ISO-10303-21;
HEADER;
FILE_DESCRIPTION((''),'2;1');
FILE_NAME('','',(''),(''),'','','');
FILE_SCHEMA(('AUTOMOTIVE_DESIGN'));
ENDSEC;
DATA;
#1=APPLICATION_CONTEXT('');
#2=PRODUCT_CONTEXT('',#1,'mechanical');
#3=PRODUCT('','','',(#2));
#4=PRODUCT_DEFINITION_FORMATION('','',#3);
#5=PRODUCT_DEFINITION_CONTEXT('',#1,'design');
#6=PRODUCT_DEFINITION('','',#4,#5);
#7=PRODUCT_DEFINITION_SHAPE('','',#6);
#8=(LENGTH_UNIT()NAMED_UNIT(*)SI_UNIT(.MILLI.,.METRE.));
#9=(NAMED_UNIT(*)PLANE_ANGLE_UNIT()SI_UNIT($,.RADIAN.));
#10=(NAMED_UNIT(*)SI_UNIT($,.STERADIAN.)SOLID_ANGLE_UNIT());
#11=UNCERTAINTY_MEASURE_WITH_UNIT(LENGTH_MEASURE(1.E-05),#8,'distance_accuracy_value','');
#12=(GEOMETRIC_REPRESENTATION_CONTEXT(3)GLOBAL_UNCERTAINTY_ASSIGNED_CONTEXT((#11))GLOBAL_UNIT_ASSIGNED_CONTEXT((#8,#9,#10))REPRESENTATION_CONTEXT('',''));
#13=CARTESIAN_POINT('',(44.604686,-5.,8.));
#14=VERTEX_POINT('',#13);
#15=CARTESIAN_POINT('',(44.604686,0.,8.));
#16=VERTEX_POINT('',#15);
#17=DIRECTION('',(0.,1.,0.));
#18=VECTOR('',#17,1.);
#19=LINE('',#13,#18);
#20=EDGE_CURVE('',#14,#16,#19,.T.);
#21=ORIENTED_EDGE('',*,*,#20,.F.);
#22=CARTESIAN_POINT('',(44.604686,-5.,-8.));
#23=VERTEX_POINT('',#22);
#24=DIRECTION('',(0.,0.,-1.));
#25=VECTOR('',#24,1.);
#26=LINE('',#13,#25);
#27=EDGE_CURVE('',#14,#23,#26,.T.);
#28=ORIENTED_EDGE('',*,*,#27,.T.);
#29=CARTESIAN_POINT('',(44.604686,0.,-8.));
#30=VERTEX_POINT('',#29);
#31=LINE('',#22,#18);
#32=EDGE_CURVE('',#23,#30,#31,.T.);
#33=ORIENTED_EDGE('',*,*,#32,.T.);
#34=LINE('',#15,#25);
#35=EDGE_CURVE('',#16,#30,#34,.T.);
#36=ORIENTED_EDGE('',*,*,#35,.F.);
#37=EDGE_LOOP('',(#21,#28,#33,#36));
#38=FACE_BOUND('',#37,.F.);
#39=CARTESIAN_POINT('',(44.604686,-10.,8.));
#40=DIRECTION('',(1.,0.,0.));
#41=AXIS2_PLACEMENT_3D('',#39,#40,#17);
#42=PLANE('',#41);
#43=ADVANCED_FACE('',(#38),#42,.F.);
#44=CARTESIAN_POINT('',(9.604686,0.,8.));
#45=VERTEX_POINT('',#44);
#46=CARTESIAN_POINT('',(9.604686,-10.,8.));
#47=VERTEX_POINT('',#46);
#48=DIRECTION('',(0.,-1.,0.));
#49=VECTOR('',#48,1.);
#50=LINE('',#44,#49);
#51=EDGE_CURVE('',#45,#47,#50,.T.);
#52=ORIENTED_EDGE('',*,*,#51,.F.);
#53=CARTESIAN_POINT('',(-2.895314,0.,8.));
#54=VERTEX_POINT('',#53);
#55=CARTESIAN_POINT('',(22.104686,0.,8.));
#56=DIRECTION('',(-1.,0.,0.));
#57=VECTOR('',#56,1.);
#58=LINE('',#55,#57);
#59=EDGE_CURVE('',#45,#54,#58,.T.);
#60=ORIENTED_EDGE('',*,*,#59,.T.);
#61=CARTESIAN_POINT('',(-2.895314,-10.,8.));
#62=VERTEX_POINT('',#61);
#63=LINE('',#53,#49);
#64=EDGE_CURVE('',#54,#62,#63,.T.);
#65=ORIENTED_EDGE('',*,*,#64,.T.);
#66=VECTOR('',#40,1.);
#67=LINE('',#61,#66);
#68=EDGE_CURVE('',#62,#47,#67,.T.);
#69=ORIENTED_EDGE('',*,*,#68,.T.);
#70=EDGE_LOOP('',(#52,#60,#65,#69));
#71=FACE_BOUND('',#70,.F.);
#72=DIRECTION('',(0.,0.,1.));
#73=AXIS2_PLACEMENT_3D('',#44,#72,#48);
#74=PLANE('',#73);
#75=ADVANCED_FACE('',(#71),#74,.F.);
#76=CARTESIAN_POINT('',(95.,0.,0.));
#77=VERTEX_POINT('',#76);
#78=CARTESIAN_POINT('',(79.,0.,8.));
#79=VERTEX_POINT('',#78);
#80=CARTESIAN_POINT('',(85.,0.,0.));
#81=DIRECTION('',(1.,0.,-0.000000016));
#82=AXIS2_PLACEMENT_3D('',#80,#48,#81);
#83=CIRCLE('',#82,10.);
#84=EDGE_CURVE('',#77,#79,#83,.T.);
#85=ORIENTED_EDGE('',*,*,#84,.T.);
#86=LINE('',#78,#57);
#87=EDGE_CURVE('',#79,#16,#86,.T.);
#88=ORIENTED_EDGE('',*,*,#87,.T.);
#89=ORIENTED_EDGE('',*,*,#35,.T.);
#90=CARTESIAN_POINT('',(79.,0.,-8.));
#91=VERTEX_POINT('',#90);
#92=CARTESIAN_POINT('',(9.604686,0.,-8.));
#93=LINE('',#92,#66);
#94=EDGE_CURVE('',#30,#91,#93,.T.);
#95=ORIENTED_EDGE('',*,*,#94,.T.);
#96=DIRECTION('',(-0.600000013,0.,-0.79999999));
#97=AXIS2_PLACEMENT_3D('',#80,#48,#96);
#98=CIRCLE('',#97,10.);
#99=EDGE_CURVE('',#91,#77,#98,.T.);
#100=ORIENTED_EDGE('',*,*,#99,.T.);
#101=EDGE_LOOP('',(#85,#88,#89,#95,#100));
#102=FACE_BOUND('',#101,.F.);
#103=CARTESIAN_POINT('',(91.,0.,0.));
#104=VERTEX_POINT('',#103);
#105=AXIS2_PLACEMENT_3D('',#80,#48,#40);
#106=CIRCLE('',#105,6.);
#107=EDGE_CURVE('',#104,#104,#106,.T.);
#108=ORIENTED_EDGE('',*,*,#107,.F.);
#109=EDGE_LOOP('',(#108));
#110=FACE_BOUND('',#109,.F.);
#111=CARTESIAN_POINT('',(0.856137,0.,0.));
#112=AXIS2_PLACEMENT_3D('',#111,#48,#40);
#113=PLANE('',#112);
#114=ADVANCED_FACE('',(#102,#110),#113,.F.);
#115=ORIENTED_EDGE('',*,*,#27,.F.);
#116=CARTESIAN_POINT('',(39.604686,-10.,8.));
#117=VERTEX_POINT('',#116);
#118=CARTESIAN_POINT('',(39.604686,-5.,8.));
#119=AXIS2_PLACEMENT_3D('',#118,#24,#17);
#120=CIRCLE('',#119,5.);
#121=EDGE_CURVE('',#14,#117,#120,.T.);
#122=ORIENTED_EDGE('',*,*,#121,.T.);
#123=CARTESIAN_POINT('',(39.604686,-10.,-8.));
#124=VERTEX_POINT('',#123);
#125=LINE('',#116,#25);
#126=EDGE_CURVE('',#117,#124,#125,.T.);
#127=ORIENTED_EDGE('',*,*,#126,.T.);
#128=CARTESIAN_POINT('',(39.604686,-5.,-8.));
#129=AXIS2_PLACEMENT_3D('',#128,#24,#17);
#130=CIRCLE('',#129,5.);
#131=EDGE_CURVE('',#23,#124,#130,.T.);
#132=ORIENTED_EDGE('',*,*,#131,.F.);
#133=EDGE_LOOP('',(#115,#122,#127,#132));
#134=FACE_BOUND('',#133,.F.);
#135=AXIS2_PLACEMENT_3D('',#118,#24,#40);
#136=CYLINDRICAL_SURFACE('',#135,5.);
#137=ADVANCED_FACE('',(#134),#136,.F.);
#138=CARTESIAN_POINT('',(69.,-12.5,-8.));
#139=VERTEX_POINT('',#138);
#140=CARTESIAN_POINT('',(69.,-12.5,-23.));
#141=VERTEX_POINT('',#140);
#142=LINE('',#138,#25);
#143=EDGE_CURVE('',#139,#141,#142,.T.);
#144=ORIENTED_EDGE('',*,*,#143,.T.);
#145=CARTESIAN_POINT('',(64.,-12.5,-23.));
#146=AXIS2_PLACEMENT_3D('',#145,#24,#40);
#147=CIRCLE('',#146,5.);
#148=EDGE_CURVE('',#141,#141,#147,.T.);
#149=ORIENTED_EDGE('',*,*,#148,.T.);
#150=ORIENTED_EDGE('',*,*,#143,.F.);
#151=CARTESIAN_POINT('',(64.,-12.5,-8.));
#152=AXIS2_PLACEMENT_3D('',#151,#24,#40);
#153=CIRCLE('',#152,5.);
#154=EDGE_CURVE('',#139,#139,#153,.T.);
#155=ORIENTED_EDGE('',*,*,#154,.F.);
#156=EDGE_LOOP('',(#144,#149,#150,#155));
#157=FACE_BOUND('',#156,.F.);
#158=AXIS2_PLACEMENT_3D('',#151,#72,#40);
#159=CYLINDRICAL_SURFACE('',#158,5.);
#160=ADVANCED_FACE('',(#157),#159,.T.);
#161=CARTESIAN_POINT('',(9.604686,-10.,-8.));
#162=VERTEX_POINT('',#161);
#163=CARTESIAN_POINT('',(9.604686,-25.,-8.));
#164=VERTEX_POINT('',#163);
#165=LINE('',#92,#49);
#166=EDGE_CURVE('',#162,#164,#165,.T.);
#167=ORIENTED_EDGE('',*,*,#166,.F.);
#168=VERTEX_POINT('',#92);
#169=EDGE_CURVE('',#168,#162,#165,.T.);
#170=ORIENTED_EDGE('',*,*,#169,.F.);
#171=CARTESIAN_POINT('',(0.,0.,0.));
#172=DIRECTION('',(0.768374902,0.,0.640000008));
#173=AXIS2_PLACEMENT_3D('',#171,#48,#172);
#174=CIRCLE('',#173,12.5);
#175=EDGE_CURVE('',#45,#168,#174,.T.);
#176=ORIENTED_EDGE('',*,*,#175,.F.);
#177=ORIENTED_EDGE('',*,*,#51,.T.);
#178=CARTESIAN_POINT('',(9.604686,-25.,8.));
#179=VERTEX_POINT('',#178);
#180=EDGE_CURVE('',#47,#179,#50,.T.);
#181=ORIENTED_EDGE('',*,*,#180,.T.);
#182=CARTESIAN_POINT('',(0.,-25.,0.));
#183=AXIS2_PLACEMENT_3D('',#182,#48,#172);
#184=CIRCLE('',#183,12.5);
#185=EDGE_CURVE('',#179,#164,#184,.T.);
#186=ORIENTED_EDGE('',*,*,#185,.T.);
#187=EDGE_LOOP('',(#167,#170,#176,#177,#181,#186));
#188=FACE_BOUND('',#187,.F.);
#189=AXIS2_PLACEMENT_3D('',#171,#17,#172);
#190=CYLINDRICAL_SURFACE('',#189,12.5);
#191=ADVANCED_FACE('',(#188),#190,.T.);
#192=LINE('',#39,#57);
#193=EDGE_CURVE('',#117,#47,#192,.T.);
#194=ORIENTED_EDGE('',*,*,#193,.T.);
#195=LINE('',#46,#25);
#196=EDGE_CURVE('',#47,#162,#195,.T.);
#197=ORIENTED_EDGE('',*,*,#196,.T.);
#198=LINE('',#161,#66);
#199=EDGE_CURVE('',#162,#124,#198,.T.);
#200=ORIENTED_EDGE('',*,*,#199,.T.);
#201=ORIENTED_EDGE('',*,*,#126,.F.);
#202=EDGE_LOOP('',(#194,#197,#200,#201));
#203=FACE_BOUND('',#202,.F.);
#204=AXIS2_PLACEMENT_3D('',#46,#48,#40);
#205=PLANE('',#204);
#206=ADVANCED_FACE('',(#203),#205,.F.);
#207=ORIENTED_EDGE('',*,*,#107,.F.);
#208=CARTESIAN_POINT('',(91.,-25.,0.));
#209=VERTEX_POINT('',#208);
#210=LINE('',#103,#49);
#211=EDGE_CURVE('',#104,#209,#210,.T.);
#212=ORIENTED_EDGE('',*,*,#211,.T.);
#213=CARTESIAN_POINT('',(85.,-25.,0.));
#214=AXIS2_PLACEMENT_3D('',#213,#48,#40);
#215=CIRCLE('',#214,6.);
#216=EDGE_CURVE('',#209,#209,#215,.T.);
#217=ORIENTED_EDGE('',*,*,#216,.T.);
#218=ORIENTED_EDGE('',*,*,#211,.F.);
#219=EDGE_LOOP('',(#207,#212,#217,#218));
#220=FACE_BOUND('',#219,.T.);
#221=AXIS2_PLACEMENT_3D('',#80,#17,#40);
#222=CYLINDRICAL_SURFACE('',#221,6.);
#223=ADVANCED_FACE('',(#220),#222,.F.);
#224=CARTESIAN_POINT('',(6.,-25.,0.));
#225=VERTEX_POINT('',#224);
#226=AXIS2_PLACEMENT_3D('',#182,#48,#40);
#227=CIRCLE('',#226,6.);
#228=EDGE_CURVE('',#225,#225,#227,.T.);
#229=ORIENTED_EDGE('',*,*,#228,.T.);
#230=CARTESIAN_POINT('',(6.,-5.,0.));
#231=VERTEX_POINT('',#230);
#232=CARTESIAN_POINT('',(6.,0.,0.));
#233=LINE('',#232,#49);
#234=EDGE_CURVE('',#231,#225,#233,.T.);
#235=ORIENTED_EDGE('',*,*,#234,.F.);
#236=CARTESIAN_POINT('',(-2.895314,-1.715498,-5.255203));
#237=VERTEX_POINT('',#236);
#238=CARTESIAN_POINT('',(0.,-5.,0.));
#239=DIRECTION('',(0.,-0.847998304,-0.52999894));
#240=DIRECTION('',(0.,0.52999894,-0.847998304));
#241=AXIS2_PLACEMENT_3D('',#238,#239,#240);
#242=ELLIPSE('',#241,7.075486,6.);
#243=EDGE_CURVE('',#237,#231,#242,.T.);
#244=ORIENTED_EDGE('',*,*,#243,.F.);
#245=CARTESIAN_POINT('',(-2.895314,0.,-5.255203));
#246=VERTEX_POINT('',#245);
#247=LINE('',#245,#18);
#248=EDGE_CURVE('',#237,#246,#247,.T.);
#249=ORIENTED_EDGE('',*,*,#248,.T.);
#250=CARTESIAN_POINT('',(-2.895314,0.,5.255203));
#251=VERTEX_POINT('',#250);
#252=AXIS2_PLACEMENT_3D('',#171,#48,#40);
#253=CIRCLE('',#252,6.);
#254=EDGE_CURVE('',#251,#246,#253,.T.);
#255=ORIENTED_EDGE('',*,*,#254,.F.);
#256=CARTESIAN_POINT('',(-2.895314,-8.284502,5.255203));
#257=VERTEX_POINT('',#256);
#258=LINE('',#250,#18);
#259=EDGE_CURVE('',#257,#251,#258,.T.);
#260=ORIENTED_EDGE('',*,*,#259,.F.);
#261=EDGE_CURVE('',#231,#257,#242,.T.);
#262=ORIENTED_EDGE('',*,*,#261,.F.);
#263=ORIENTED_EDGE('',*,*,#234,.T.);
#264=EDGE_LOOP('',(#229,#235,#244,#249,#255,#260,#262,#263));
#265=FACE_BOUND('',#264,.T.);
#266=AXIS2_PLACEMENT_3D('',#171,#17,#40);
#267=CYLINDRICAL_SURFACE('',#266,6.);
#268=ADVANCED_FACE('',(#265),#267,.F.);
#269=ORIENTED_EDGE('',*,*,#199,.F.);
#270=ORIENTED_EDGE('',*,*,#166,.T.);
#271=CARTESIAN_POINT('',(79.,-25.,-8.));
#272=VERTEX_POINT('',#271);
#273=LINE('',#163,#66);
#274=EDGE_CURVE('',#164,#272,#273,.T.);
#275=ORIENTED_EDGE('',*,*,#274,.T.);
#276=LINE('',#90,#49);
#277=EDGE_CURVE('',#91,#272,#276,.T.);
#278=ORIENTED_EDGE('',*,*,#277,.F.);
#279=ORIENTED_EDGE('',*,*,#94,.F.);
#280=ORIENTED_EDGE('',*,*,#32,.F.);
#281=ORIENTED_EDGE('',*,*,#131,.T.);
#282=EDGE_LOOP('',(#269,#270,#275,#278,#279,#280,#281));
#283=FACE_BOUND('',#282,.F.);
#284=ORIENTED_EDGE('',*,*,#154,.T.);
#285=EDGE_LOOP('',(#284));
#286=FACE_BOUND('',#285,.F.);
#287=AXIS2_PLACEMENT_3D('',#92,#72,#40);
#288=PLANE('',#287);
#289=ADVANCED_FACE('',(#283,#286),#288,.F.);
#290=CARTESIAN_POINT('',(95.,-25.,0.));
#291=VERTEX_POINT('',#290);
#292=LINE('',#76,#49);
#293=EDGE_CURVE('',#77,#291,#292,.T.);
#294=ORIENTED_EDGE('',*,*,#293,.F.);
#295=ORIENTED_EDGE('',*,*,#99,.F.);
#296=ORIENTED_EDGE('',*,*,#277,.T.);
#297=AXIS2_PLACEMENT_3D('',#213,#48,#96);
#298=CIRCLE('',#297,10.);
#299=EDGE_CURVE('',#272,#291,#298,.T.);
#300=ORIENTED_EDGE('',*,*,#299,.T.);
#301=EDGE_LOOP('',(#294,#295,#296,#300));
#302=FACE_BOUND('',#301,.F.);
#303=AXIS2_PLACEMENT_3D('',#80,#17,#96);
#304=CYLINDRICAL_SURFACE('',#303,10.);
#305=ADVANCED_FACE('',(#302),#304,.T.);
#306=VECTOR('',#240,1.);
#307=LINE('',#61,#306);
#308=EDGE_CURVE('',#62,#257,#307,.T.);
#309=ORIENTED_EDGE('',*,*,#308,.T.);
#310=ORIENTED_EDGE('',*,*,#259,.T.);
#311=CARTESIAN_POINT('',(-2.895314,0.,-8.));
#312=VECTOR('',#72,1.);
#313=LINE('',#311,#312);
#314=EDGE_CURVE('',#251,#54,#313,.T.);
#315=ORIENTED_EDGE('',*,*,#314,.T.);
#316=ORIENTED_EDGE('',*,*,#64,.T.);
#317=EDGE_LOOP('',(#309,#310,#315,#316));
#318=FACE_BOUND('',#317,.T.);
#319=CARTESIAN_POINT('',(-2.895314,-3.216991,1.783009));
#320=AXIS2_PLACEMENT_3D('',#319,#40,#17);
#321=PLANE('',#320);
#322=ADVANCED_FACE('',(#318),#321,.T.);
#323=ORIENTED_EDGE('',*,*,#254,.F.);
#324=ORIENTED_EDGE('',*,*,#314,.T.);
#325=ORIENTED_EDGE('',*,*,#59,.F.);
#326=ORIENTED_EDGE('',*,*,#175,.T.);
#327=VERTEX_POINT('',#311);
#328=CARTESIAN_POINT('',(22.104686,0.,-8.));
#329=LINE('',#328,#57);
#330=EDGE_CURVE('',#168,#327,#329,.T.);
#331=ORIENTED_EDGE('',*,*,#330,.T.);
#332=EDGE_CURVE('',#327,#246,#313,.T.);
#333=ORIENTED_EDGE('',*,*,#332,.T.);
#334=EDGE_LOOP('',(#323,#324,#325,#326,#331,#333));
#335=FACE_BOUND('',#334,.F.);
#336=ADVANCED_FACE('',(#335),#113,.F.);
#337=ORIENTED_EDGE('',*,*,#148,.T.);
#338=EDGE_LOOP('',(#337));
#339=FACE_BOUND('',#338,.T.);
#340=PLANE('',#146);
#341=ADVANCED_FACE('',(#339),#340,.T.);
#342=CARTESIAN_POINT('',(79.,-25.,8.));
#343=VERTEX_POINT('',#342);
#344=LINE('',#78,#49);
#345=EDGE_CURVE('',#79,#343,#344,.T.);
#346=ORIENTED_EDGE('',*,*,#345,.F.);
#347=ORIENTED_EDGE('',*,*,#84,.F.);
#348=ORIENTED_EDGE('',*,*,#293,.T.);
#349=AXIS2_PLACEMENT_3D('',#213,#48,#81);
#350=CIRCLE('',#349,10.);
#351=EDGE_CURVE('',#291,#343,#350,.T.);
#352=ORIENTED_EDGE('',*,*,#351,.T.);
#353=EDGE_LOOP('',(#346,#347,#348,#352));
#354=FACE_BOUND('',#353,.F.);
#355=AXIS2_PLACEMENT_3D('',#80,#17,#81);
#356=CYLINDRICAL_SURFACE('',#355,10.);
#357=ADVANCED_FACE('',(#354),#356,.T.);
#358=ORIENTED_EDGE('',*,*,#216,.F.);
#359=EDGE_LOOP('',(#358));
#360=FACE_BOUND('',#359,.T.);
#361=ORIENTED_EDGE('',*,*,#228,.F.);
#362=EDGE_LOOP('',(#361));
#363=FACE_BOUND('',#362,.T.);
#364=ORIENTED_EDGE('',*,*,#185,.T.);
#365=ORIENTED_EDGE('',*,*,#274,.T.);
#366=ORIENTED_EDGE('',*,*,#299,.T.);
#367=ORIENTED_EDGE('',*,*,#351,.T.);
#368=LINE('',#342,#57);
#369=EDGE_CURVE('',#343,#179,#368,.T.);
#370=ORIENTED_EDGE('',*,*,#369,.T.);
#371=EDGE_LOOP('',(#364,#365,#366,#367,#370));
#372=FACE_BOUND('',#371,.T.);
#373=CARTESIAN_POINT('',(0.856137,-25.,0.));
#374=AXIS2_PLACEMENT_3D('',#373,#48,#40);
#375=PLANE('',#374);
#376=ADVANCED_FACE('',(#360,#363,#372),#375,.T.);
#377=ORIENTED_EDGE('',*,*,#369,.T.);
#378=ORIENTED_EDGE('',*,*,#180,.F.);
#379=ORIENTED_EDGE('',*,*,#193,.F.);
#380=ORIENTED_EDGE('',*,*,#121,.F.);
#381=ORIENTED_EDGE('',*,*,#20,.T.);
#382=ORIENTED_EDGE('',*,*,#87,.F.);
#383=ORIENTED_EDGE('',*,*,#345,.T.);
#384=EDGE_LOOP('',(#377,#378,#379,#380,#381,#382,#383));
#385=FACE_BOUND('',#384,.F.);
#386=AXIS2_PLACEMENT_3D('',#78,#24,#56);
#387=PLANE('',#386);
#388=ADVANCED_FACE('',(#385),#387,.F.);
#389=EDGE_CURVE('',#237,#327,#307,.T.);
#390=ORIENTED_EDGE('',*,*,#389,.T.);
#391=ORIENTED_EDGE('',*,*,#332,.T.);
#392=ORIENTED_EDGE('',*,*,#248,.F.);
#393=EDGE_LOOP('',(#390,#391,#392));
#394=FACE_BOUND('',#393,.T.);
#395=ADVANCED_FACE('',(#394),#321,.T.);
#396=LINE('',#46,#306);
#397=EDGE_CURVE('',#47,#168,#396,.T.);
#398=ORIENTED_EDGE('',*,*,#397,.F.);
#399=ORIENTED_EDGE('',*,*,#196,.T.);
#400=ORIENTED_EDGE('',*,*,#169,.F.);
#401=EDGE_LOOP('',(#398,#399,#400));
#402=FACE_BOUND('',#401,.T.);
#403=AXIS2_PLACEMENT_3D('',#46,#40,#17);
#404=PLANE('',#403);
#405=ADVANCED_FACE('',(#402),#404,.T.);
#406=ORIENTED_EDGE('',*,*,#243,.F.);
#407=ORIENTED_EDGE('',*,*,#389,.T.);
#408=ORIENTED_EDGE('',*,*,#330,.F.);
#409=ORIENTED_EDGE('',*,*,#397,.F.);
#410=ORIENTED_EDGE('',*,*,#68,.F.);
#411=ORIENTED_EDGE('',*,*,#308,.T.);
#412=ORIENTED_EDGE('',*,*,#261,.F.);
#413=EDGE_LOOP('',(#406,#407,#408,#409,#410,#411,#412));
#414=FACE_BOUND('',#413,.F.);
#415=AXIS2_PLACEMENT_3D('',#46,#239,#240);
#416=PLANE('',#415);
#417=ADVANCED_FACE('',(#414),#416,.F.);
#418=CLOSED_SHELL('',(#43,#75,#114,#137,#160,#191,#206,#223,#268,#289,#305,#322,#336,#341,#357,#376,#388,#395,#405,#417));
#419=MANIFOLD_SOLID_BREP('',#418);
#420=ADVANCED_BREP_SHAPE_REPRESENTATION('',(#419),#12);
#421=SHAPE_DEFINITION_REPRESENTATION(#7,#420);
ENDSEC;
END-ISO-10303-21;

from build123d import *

# Parameters (mm, degrees)
F0_R     = 6
F1_DEPTH = 25
F2_W     = 35
F2_H     = 10
F3_DEPTH = 20.501
F5_DEPTH = 12.5
F6_R     = 5
F7_R     = 5
F8_DEPTH = 15


with BuildPart() as f1:
    # F0 (on Front) → F1 (new body)
    with BuildSketch(Plane.XZ):
        with BuildLine():
            ThreePointArc((9.604686, -8), (11.753905, -4.253905), (12.5, 0))
            ThreePointArc((12.5, 0), (11.753905, 4.253905), (9.604686, 8))
            ThreePointArc((9.604686, 8), (-12.5, 0), (9.604686, -8))
        make_face()
        Circle(F0_R, mode=Mode.SUBTRACT)
        with BuildLine():
            ThreePointArc((9.604686, 8), (11.753905, 4.253905), (12.5, 0))
            ThreePointArc((12.5, 0), (11.753905, -4.253905), (9.604686, -8))
            Line((9.604686, -8), (79, -8))
            ThreePointArc((79, -8), (75, 0), (79, 8))
            Line((79, 8), (9.604686, 8))
        make_face()
        with BuildLine():
            ThreePointArc((95, 0), (89.472136, 8.944272), (79, 8))
            ThreePointArc((79, 8), (75, 0), (79, -8))
            ThreePointArc((79, -8), (89.472136, -8.944272), (95, 0))
        make_face()
        with Locations((85, 0)):
            Circle(F0_R, mode=Mode.SUBTRACT)
    extrude(amount=F1_DEPTH)

    # F2 (on face) → F3 (cut, through all)
    with BuildSketch(Plane.XY.offset(8)):
        with Locations((27.104686, -5)):
            Rectangle(F2_W, F2_H)
    extrude(amount=-F3_DEPTH, mode=Mode.SUBTRACT)

    # F4 (on face) → F5 (cut, symmetric)
    with BuildSketch(Plane.YZ.offset(9.604686)):
        Polygon((0, 8), (-10, 8), (0, -8), align=None)
    extrude(amount=F5_DEPTH, both=True, mode=Mode.SUBTRACT)

    # F6
    f6_edges = [f1.edges().sort_by_distance(p)[0] for p in [
        (44.604686, -10, 0),
    ]]
    fillet(f6_edges, radius=F6_R)

    # F7 (on face) → F8 (join)
    with BuildSketch(Plane(origin=(0, 0, -8), x_dir=(1, 0, 0), z_dir=(0, 0, -1))):
        with Locations((64, 12.5)):
            Circle(F7_R)
    extrude(amount=F8_DEPTH)


solid = f1.part
